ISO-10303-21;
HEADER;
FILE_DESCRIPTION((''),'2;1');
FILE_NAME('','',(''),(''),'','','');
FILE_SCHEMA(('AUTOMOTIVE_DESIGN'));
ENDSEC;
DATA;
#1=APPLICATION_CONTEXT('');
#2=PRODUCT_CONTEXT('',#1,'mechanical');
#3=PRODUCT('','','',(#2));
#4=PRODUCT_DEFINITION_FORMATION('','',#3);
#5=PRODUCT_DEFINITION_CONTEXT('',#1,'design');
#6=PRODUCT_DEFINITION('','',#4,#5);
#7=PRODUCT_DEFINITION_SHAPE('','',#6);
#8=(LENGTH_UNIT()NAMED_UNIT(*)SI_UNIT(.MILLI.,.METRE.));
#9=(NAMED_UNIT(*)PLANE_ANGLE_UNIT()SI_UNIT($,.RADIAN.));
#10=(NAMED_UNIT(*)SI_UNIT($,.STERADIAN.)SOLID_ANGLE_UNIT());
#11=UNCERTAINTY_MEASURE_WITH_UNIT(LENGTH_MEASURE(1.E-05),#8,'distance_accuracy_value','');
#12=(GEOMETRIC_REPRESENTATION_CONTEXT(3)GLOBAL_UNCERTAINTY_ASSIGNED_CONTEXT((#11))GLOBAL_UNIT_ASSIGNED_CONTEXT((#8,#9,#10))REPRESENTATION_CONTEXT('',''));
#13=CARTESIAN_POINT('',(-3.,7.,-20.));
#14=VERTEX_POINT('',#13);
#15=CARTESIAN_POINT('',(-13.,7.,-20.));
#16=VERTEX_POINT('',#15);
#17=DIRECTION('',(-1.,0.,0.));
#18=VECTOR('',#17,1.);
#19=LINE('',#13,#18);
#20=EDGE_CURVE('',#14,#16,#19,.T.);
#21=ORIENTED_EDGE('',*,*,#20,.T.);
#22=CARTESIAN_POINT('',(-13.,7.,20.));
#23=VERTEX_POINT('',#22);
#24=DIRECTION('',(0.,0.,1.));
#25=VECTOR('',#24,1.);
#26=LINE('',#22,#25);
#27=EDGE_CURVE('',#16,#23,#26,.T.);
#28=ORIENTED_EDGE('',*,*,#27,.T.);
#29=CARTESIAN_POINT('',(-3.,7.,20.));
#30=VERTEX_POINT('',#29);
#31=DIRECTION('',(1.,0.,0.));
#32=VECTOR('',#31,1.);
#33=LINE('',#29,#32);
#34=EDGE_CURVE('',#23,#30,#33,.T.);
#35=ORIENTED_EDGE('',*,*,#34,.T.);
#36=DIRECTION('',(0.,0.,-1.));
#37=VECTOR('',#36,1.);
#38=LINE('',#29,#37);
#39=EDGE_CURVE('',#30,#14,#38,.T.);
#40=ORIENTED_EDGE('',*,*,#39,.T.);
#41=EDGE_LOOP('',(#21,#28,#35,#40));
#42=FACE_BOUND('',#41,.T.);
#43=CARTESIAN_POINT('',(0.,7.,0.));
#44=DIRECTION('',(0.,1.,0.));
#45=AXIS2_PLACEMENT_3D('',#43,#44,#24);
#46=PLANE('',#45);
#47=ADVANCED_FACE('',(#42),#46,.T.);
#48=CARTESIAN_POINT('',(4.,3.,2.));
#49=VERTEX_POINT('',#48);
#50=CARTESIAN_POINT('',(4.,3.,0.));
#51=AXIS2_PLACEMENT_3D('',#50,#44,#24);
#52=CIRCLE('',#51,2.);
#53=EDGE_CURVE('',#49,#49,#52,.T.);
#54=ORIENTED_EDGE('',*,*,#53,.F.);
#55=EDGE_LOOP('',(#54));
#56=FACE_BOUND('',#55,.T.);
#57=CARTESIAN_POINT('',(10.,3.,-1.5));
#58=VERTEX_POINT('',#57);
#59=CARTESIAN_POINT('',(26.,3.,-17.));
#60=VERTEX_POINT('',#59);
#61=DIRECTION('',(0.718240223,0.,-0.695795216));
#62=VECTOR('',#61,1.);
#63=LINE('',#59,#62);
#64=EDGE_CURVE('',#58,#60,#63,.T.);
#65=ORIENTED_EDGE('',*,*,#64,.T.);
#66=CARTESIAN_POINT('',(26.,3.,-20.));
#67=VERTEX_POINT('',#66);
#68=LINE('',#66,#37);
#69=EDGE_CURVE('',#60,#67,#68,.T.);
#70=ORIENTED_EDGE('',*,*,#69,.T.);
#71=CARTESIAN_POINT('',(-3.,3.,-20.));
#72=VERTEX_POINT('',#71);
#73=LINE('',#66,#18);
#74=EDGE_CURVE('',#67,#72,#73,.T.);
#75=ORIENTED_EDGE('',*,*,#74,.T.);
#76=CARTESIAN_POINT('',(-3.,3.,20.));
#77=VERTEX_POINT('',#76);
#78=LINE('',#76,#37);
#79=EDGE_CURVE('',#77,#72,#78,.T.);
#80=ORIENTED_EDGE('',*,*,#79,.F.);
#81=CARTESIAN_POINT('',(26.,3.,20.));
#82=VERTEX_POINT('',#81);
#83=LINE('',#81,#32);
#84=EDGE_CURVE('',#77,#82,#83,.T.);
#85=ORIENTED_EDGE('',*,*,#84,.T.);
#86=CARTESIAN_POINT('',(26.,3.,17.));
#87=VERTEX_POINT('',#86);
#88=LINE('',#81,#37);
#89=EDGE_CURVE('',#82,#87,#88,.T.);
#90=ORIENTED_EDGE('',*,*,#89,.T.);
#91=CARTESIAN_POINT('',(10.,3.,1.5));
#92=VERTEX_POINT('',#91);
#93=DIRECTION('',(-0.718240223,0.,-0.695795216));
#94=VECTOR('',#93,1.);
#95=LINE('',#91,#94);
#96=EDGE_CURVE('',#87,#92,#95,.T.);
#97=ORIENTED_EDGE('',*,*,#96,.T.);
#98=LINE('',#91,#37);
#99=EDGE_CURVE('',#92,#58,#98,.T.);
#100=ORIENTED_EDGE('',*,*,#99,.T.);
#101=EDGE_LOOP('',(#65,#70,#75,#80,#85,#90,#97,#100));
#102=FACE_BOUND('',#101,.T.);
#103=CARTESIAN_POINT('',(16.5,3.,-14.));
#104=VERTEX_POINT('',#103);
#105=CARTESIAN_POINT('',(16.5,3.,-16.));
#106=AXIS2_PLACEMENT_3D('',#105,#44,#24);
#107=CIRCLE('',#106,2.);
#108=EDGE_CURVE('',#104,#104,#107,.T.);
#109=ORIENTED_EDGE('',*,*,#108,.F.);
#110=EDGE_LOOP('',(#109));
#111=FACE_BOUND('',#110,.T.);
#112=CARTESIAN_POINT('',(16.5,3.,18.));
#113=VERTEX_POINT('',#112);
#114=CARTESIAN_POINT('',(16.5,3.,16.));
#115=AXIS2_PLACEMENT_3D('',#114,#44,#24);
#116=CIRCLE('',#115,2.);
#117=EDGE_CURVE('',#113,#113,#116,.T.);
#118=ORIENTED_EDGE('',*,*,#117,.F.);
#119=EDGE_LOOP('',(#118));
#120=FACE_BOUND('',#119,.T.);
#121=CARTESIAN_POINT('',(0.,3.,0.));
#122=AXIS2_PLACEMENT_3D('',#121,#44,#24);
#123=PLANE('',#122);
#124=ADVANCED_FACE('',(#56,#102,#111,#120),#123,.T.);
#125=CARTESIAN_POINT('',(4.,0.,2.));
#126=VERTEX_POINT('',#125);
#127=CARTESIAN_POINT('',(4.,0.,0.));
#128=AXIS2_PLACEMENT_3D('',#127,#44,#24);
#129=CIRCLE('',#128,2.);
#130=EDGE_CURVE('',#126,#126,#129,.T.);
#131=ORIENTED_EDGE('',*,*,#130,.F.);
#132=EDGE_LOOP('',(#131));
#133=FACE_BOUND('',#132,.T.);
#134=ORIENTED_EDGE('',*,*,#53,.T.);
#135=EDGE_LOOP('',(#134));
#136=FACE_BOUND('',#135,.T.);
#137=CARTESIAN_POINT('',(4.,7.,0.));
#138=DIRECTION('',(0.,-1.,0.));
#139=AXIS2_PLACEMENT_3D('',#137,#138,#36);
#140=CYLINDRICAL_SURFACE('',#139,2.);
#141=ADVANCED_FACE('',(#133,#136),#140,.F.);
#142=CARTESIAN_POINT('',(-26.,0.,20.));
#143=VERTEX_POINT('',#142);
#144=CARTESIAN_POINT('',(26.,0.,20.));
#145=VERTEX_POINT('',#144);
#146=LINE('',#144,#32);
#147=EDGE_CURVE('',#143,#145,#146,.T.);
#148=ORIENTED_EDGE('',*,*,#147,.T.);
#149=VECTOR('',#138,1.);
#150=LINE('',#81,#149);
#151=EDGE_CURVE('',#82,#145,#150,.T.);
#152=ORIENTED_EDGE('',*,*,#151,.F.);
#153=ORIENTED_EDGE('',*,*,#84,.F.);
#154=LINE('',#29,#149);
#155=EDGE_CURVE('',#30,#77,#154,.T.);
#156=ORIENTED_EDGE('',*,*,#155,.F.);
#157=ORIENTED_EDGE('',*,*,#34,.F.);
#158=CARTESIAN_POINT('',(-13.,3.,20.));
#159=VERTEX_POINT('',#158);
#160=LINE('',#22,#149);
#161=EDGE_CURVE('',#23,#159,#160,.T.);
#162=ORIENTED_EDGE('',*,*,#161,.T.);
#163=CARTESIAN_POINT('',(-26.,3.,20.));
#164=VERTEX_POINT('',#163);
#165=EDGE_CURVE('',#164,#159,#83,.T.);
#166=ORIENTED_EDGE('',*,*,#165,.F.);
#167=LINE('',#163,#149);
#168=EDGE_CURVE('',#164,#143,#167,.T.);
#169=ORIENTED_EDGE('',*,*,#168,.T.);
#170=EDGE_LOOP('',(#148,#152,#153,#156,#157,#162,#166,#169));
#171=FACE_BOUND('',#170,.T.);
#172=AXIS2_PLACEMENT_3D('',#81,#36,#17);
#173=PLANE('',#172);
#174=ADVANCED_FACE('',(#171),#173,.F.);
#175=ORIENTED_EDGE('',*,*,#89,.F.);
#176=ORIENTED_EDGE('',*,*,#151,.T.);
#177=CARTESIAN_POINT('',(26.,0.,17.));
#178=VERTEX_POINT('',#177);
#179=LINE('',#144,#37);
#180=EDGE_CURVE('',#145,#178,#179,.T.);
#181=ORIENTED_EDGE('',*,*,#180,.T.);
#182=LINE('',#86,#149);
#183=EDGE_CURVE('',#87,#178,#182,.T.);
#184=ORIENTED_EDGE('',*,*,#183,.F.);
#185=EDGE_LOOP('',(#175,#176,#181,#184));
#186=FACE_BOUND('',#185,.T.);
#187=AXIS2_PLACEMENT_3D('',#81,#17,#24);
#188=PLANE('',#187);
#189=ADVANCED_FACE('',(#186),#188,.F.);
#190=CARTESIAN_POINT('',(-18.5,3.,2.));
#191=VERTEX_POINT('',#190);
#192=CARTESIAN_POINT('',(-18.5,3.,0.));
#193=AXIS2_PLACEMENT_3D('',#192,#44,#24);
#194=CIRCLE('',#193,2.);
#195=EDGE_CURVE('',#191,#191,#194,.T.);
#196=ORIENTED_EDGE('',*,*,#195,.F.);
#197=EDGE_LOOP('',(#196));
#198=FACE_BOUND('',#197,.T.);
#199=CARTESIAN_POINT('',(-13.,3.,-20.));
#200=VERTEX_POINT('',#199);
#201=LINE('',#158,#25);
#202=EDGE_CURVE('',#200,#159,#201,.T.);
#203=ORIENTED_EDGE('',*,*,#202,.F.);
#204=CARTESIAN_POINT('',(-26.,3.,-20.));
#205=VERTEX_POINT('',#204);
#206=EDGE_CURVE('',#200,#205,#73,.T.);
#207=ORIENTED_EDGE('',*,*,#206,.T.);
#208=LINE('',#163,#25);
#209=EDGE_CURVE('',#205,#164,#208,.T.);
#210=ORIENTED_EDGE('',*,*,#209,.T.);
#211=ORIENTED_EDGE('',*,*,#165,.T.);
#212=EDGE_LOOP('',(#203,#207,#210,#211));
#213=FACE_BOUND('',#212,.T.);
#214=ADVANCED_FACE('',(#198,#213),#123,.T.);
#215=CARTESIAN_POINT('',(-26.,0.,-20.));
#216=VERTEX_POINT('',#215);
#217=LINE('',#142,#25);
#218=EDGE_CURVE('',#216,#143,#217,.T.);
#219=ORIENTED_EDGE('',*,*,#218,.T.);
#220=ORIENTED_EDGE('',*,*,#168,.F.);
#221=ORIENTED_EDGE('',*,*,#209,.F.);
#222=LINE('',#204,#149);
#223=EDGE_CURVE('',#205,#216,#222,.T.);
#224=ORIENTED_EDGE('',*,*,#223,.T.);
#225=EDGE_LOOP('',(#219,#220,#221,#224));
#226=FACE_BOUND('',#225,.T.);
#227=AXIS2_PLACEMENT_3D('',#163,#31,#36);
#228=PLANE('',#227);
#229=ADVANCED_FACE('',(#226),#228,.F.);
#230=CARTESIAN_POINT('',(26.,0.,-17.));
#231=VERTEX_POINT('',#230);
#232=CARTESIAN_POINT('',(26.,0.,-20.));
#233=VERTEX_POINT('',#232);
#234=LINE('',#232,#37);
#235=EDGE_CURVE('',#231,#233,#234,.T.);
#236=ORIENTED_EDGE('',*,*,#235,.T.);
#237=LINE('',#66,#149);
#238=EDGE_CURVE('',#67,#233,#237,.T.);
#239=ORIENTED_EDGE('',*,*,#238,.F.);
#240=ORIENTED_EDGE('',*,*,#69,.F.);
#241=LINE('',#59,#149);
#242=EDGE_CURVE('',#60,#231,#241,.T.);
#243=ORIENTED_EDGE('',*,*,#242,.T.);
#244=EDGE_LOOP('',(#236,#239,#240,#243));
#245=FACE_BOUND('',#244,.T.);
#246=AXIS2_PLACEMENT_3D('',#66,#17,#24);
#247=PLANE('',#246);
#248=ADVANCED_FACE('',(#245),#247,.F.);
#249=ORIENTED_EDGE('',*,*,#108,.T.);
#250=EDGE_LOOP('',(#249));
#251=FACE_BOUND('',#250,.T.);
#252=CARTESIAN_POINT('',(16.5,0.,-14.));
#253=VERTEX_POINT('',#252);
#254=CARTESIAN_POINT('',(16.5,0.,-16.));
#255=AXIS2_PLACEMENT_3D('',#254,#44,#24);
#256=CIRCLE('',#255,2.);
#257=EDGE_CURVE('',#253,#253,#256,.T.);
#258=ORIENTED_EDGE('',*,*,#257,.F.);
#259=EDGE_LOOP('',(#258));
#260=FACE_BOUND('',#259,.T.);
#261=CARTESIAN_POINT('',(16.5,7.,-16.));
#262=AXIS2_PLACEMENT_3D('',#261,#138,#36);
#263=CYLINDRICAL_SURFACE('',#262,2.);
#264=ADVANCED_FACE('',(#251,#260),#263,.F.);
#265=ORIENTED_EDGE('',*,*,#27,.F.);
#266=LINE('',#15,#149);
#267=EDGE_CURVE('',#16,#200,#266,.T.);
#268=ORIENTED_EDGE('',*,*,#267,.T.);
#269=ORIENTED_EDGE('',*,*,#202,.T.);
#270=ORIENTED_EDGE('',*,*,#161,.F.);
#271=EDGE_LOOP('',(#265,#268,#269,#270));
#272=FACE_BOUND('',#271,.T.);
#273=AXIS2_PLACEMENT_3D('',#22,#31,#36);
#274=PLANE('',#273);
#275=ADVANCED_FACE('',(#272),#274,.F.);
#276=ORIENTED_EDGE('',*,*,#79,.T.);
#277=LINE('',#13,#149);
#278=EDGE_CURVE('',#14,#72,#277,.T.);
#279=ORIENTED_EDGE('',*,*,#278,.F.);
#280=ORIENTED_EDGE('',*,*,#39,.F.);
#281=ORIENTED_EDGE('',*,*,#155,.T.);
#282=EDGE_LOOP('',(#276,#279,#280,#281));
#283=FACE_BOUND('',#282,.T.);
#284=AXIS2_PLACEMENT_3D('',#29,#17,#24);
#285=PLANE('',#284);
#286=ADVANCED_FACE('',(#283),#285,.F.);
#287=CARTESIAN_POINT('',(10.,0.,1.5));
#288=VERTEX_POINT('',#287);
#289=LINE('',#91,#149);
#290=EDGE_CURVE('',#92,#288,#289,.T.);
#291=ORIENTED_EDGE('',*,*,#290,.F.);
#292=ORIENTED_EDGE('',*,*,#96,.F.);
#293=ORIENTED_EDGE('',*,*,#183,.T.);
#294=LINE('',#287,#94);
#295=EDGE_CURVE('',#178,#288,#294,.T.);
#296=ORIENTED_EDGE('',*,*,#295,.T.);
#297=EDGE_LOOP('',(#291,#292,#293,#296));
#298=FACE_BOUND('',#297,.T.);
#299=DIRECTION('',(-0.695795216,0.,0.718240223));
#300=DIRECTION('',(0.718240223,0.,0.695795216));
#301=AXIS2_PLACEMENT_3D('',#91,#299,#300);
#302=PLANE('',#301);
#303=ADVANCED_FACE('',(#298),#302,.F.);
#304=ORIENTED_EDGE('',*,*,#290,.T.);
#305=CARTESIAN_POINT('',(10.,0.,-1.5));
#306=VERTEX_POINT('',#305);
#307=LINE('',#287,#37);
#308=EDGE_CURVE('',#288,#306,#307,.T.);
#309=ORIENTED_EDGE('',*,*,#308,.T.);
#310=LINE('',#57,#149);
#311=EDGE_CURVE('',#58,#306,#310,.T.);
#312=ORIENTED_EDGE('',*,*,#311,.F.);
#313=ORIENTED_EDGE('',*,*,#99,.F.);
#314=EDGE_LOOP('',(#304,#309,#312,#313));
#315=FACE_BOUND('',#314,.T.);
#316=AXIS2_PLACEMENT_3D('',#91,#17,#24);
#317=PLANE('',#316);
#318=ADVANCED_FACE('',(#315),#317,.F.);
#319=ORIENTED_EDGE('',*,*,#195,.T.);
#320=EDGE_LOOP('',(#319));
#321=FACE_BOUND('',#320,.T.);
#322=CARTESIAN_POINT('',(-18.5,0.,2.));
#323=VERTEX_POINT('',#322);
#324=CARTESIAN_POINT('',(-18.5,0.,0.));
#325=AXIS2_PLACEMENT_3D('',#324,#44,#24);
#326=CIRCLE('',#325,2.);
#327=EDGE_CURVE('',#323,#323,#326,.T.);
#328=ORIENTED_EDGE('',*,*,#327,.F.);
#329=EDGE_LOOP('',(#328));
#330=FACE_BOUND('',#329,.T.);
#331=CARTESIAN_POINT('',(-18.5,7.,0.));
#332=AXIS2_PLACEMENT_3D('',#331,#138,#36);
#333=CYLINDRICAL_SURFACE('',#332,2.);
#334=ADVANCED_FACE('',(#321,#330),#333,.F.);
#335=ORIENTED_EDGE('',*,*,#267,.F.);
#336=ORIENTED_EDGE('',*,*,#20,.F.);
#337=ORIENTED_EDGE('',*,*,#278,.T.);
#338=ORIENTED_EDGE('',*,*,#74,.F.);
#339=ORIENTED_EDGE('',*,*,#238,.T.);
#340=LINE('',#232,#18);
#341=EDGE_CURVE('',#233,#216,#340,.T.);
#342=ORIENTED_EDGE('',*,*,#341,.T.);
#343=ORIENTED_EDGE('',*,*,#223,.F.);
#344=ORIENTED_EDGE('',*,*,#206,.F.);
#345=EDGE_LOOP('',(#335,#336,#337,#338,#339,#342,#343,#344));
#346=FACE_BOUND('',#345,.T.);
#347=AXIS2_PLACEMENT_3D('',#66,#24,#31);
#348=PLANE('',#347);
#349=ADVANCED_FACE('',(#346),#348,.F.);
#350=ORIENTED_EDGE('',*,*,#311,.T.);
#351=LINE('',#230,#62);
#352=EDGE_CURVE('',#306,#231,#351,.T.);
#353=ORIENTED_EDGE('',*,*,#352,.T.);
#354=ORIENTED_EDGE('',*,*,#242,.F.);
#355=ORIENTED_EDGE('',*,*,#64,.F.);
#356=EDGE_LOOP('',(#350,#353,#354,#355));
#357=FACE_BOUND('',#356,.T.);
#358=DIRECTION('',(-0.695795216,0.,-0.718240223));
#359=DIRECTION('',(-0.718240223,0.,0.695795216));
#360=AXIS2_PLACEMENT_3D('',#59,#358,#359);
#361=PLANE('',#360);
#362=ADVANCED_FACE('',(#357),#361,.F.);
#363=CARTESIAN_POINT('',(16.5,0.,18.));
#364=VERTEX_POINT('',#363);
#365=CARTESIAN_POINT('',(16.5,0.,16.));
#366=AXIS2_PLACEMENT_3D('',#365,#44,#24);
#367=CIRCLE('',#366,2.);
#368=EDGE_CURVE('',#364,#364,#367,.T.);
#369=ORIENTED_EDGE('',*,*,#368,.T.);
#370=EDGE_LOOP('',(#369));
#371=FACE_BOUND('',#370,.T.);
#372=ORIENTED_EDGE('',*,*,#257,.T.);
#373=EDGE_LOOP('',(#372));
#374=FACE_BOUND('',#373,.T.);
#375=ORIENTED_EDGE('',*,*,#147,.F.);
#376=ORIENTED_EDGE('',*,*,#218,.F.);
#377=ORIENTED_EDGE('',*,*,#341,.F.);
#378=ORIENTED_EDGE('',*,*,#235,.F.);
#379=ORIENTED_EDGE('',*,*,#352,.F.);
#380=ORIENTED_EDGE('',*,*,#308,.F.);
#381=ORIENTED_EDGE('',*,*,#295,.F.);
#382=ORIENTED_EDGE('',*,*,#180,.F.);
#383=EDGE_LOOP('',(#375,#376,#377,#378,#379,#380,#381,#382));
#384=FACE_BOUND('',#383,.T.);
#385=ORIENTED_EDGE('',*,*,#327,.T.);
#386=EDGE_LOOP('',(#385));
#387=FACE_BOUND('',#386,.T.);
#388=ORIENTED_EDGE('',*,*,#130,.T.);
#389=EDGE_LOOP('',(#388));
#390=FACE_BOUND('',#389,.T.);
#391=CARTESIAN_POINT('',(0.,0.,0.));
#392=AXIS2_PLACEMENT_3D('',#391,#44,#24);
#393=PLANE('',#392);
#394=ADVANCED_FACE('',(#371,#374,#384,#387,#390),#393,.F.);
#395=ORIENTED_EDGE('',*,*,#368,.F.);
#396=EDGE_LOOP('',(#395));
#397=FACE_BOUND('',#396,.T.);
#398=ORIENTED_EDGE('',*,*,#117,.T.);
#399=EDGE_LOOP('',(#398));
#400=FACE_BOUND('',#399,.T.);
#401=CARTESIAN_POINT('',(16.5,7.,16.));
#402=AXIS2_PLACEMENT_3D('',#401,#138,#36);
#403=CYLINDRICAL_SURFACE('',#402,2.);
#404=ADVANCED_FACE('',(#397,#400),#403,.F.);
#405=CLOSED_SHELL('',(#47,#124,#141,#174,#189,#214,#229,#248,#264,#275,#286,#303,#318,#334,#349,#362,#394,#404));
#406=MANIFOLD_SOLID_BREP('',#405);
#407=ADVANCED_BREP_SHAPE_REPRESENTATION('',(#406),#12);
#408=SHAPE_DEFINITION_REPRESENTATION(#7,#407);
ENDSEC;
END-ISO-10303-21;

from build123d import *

# Parameters (mm, degrees)
BASE_DEPTH       = 3
BULDGESKETCH_W   = 10
BULDGESKETCH_H   = 40
BULDGE_DEPTH     = 4
HOLESSKETCH_R    = 2
HOLES_DEPTH      = 1
HOLES_DEPTH_BACK = 8


with BuildPart() as part:
    # BaseSketch → Base (new body)
    with BuildSketch(Plane(origin=(0, 0, 0), x_dir=(1, 0, 0), z_dir=(0, 1, 0))):
        Polygon((26, -20), (26, -17), (10, -1.5), (10, 1.5), (26, 17), (26, 20), (-26, 20), (-26, -20), align=None)
    extrude(amount=BASE_DEPTH)

    # BuldgeSketch → Buldge (add)
    with BuildSketch(Plane(origin=(0, 3, 0), x_dir=(1, 0, 0), z_dir=(0, 1, 0))):
        with Locations((-8, 0)):
            Rectangle(BULDGESKETCH_W, BULDGESKETCH_H)
    extrude(amount=BULDGE_DEPTH)

    # HolesSketch → Holes (cut, two sides)
    with BuildSketch(Plane.XZ) as holes_sk:
        with Locations((4, 0)):
            Circle(HOLESSKETCH_R)
        with Locations((16.5, -16)):
            Circle(HOLESSKETCH_R)
        with Locations((16.5, 16)):
            Circle(HOLESSKETCH_R)
        with Locations((-18.5, 0)):
            Circle(HOLESSKETCH_R)
    extrude(amount=HOLES_DEPTH, mode=Mode.SUBTRACT)
    extrude(holes_sk.sketch, amount=-HOLES_DEPTH_BACK, mode=Mode.SUBTRACT)


solid = part.part
